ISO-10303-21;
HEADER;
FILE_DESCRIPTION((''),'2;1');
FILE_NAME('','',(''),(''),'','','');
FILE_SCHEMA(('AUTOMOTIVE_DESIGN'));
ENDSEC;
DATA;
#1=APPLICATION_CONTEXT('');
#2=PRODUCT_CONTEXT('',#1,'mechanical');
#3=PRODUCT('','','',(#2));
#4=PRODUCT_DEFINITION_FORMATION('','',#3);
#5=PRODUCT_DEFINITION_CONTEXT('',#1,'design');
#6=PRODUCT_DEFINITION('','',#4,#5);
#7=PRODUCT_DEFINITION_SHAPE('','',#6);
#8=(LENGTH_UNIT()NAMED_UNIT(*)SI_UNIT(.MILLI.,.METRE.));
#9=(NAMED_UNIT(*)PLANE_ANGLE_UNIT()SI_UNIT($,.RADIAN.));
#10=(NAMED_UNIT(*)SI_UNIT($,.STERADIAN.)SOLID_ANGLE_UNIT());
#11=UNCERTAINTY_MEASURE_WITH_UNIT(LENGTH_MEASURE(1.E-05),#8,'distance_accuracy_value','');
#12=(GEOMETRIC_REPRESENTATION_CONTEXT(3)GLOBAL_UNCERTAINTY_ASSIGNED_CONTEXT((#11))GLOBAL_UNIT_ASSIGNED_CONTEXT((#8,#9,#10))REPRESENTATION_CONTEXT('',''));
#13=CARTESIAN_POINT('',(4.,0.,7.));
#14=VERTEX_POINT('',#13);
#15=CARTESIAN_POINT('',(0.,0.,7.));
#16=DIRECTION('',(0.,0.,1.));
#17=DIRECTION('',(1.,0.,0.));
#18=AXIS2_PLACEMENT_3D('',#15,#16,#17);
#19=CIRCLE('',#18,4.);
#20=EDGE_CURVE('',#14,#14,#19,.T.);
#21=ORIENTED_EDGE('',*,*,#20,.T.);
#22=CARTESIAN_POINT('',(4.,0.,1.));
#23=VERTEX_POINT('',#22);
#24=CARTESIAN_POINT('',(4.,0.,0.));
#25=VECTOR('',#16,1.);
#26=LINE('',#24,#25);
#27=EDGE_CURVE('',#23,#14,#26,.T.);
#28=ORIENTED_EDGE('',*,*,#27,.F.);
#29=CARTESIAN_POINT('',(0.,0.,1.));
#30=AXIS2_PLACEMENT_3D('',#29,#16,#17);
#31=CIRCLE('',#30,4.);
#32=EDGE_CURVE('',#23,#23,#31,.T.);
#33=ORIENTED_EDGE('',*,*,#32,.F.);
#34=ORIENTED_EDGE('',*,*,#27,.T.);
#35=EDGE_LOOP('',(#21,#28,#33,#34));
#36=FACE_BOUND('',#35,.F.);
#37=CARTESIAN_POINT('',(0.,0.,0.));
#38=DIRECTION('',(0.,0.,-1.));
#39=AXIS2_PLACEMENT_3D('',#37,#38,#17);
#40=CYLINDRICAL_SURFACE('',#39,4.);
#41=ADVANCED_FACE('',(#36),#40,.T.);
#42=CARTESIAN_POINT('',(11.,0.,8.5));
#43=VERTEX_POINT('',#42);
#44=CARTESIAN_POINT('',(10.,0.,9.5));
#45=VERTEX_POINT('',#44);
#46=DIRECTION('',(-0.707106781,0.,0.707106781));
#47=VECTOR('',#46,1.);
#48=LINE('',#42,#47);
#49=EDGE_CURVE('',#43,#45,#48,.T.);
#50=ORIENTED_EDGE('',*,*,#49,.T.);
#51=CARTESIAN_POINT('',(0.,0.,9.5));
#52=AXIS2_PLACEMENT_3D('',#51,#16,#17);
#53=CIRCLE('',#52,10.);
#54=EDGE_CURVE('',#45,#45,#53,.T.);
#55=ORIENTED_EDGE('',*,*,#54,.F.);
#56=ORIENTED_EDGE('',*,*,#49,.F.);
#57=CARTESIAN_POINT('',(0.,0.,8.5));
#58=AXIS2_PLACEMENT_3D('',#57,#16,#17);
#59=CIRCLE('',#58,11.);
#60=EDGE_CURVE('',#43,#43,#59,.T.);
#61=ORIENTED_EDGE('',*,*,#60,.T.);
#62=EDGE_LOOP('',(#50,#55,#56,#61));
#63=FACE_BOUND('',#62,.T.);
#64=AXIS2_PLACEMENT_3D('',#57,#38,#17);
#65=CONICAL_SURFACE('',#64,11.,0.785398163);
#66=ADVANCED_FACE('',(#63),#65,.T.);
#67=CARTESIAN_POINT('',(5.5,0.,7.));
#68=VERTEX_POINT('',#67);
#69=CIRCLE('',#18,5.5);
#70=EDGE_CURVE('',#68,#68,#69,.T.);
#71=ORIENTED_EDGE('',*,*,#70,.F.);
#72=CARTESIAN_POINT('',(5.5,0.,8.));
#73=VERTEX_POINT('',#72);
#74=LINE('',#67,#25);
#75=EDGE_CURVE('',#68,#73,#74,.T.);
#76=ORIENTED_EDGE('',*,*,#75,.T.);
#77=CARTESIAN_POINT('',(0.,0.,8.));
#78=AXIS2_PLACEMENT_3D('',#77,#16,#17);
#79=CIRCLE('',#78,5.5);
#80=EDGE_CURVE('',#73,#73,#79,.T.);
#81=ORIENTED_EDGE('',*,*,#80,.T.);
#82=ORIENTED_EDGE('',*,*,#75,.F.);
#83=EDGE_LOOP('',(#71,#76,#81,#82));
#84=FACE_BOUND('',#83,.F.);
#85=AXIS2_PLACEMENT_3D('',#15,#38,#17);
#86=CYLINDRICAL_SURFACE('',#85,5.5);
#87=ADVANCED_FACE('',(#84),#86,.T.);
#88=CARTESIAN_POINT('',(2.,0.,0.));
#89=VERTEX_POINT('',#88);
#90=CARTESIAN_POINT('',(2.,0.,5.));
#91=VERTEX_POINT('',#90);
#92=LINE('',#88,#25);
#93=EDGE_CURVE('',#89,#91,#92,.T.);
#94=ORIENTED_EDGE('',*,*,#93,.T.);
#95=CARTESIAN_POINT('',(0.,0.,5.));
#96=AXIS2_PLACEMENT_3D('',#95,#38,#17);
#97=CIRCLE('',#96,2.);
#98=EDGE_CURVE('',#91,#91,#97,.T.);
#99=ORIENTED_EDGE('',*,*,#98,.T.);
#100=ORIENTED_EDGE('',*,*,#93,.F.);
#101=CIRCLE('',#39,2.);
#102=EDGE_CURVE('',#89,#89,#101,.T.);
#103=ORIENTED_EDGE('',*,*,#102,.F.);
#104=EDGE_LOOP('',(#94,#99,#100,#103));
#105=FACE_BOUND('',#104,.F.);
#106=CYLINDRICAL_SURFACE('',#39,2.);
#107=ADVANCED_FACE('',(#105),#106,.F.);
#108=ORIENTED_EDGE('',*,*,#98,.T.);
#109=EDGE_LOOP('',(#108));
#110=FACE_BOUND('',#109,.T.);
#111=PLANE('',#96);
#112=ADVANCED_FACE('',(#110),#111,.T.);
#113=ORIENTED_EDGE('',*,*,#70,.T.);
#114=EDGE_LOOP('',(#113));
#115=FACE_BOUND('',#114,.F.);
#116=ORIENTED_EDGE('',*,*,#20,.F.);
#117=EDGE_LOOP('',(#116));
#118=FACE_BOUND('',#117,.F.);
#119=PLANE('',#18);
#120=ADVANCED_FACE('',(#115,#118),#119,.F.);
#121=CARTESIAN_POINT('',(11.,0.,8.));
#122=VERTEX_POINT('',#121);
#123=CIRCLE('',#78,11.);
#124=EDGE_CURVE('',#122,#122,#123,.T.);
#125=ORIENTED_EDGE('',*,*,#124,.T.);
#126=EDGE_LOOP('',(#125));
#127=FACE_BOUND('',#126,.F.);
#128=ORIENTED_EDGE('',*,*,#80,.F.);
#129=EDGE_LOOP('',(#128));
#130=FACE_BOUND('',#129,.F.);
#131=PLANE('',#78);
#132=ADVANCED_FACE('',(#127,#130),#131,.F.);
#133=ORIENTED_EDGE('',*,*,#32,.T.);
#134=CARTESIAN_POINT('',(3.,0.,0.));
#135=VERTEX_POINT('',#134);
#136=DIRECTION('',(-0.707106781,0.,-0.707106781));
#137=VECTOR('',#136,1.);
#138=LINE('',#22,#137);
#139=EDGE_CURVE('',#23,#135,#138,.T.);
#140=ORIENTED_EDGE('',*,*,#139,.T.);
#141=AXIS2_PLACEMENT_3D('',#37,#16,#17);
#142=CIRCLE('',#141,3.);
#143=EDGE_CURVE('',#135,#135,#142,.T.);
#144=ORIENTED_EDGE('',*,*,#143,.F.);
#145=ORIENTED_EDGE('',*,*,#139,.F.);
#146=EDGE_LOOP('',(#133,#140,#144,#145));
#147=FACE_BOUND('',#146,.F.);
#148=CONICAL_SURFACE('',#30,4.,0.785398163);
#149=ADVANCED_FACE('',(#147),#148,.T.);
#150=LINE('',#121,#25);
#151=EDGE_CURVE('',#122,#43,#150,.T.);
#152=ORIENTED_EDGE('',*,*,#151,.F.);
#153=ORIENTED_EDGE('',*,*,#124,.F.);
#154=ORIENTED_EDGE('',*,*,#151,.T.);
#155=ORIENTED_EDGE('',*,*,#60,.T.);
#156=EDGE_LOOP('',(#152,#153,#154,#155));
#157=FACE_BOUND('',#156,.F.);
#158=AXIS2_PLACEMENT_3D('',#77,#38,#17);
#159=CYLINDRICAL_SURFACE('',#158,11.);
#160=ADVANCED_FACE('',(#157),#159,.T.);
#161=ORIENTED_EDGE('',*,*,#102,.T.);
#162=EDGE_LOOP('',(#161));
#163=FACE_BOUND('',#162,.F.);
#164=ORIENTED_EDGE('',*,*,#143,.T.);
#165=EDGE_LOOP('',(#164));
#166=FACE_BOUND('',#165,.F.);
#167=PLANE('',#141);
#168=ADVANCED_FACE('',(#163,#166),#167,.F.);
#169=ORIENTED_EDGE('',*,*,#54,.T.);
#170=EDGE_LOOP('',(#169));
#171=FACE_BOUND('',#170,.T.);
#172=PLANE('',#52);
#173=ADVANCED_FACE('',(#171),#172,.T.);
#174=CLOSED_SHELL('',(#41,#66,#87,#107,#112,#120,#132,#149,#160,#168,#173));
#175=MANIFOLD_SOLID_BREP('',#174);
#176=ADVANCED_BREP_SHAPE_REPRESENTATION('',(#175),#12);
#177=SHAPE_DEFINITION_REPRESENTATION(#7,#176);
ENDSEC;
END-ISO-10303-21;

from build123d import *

# Parameters (mm, degrees)
F0_R     = 4
F1_DEPTH = 7
F2_R     = 5.5
F2_R_2   = 4
F3_DEPTH = 1
F4_R     = 11
F5_DEPTH = 1.5
F6_R     = 2
F7_DEPTH = 5
F8_SIZE  = 1
F9_SIZE  = 1


with BuildPart() as f1:
    # F0 (on Top) → F1 (new body)
    with BuildSketch(Plane.XY):
        Circle(F0_R)
    extrude(amount=F1_DEPTH)

    # F2 (on face) → F3 (join)
    with BuildSketch(Plane.XY.offset(7)):
        Circle(F2_R)
        Circle(F2_R_2, mode=Mode.SUBTRACT)
        Circle(F2_R_2)
    extrude(amount=F3_DEPTH)

    # F4 (on face) → F5 (join)
    with BuildSketch(Plane.XY.offset(8)):
        Circle(F4_R)
    extrude(amount=F5_DEPTH)

    # F6 (on face) → F7 (cut)
    with BuildSketch(Plane(origin=(0, 0, 0), x_dir=(1, 0, 0), z_dir=(0, 0, -1))):
        Circle(F6_R)
    extrude(amount=-F7_DEPTH, mode=Mode.SUBTRACT)

    # F8
    f8_edges = [f1.edges().sort_by_distance(p)[0] for p in [
        (-4, 0, 0),
    ]]
    chamfer(f8_edges, length=F8_SIZE)

    # F9
    f9_edges = [f1.edges().sort_by_distance(p)[0] for p in [
        (-11, 0, 9.5),
    ]]
    chamfer(f9_edges, length=F9_SIZE)


solid = f1.part
